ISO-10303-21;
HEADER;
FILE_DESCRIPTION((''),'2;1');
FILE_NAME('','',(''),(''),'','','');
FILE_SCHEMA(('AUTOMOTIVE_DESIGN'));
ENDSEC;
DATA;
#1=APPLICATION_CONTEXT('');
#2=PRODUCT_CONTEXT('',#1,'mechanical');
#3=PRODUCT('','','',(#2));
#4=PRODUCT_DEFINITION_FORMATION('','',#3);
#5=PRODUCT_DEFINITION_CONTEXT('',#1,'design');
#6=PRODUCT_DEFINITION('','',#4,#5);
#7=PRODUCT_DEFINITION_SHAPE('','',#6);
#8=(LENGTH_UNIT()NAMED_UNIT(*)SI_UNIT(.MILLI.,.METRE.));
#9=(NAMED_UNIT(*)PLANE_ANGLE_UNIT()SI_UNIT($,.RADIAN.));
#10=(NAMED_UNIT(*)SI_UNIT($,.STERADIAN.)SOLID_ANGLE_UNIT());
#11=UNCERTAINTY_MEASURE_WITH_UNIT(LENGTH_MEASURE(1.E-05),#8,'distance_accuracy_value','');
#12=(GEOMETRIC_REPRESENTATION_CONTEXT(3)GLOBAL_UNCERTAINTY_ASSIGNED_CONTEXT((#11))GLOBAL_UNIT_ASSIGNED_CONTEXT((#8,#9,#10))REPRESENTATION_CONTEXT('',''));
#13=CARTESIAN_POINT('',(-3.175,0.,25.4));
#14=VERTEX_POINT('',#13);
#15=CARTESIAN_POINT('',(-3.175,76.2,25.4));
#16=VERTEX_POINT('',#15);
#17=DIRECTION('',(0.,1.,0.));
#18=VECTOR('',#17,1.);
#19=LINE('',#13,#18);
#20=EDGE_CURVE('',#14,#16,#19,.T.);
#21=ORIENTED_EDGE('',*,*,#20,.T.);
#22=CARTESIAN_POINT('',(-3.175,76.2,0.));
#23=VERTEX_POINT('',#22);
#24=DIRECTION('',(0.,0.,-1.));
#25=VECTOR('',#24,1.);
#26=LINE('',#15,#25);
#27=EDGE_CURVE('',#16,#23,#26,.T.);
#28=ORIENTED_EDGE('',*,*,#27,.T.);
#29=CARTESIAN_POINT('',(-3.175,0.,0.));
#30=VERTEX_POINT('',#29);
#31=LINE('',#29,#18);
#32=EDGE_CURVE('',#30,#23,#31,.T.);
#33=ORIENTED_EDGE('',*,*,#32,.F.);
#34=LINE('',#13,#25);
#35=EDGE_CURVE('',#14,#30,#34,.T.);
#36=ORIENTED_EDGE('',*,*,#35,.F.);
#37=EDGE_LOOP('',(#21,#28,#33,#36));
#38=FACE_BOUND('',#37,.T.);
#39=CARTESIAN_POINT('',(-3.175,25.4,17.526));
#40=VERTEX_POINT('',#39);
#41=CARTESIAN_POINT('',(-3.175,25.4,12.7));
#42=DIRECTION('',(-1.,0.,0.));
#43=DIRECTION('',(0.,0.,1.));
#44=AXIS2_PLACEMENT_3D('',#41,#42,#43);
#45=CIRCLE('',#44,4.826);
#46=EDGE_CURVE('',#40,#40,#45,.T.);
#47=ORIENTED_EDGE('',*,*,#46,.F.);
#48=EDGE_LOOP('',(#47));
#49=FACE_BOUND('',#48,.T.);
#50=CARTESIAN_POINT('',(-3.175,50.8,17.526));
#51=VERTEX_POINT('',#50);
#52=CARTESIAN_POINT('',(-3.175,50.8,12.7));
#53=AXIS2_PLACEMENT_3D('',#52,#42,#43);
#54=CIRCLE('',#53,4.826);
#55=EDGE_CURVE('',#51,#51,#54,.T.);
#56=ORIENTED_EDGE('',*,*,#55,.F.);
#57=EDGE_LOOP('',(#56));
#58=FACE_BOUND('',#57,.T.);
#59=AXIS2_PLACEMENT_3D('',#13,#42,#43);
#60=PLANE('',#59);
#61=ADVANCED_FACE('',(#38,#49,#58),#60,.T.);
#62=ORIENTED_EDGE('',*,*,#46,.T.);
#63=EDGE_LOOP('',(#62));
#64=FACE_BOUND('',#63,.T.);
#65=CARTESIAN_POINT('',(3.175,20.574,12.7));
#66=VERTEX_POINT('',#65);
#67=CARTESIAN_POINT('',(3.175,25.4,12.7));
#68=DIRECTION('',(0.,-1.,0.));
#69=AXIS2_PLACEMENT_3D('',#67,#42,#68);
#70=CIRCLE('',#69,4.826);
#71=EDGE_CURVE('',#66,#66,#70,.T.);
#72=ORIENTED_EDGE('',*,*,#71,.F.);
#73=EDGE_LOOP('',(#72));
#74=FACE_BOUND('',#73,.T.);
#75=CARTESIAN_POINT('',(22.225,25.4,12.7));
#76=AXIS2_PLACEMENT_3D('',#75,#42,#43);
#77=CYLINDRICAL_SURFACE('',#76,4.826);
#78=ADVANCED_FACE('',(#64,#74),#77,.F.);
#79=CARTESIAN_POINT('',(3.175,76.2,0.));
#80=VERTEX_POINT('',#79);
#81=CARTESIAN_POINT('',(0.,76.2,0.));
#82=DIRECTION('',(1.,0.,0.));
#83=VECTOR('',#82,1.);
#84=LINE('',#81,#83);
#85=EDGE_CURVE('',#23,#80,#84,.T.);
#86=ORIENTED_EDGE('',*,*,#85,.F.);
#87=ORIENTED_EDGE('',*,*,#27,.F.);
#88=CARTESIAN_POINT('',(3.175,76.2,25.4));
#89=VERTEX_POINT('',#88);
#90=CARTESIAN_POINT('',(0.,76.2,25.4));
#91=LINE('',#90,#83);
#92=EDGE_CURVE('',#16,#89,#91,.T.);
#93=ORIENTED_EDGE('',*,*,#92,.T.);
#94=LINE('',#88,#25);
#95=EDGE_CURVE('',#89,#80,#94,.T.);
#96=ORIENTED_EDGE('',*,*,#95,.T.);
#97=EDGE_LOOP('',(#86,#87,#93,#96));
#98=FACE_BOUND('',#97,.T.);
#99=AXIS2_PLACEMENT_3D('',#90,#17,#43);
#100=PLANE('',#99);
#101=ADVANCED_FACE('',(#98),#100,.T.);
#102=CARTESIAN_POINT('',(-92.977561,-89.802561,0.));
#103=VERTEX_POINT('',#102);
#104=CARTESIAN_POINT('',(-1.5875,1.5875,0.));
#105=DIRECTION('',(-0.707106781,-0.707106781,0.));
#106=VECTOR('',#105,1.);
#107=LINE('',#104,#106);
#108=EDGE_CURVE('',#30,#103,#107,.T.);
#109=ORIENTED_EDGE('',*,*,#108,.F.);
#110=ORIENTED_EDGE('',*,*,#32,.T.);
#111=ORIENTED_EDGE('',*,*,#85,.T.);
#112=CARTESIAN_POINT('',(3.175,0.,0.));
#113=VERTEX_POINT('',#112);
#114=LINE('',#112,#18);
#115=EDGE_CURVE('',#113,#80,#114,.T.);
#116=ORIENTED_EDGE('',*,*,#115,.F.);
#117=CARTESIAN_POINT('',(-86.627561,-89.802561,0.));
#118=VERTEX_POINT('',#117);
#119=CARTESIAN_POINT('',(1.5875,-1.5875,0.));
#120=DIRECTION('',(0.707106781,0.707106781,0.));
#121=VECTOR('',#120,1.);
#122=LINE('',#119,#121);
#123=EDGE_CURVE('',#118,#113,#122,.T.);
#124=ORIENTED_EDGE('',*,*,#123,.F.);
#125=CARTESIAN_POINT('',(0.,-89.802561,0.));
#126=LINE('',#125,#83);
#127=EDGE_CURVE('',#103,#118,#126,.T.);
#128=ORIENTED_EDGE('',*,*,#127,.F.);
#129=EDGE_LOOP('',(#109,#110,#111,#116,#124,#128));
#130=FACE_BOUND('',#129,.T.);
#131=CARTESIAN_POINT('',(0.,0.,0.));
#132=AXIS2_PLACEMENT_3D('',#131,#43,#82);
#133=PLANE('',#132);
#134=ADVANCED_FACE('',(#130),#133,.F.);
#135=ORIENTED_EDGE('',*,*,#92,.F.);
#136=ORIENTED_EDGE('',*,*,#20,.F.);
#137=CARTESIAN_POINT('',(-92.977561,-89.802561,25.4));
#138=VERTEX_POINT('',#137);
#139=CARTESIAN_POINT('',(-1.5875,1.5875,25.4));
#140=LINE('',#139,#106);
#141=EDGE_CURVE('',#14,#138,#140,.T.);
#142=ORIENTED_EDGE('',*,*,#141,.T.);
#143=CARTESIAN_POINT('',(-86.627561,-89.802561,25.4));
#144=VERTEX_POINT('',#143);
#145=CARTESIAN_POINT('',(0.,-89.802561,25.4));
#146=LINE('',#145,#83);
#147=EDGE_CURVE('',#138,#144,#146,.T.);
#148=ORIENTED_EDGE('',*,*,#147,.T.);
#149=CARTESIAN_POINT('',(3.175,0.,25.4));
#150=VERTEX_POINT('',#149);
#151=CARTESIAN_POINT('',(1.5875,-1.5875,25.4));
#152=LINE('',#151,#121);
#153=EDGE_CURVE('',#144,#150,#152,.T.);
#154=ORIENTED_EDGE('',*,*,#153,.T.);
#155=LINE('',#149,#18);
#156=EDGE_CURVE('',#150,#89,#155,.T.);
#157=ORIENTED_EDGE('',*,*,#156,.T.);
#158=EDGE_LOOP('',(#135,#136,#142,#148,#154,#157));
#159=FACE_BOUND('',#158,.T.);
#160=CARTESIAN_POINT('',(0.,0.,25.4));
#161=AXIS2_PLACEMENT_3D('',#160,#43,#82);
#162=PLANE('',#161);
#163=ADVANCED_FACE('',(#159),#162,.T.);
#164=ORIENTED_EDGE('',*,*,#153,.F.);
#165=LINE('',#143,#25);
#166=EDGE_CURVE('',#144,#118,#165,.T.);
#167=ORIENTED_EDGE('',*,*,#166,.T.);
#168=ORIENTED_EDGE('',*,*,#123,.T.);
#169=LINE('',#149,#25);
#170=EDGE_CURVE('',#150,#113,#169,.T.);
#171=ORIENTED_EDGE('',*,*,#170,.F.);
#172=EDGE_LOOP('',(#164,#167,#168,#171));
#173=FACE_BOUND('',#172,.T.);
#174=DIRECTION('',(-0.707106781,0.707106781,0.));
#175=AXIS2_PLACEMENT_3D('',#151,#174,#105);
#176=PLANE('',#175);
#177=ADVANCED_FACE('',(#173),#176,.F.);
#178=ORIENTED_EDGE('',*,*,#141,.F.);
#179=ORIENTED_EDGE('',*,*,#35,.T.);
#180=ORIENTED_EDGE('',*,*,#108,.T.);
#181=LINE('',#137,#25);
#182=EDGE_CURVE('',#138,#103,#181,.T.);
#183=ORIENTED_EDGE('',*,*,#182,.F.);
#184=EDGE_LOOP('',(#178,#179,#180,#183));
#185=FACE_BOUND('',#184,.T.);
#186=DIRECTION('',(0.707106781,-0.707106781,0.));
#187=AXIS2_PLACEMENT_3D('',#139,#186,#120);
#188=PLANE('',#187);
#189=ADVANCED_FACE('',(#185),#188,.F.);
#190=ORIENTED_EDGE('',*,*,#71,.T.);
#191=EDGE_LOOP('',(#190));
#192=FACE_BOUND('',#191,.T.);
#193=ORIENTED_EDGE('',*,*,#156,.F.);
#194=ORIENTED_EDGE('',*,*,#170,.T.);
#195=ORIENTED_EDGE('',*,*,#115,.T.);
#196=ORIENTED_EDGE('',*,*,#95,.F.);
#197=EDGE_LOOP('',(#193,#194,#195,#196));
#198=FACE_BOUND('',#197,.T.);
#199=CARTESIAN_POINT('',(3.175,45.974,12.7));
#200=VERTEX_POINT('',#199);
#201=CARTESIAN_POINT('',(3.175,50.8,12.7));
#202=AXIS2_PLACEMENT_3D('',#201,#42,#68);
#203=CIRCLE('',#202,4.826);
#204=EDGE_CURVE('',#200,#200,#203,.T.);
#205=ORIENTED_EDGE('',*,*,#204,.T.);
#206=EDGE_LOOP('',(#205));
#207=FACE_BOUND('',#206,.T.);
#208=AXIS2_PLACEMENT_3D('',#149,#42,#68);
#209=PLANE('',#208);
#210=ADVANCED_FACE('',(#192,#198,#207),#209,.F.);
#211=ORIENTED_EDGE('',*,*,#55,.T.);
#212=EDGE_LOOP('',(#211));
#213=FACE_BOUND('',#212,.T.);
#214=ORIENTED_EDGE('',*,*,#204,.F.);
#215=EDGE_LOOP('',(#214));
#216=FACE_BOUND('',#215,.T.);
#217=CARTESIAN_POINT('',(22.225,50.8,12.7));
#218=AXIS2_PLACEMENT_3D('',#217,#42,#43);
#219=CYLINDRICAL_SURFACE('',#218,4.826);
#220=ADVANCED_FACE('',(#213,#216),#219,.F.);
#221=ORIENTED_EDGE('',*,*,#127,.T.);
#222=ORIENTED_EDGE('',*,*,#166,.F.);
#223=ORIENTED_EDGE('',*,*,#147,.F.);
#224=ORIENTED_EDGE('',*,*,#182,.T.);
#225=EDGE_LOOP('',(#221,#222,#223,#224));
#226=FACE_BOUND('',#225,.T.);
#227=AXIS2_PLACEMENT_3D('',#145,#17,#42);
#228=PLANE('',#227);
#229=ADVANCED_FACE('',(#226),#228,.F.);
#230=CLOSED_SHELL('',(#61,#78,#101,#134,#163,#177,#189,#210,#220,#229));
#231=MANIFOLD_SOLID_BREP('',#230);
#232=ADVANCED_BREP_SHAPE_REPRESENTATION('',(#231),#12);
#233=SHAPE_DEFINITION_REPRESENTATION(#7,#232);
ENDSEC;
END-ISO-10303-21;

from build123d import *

# Parameters (mm, degrees)
SKETCH1_W           = 6.35
SKETCH1_H           = 76.2
BOSS_EXTRUDE1_DEPTH = 25.4
SKETCH2_R           = 4.826
CUT_EXTRUDE1_DEPTH  = 25.4


with BuildPart() as part:
    # Sketch1 → Boss-Extrude1 (new body)
    with BuildSketch(Plane.XY):
        with Locations((0, 38.1)):
            Rectangle(SKETCH1_W, SKETCH1_H)
        Polygon((-92.977561211, -89.802561211), (-86.627561211, -89.802561211), (3.175, 0), (-3.175, 0), align=None)
    extrude(amount=BOSS_EXTRUDE1_DEPTH)

    # Sketch2 → Cut-Extrude1 (cut)
    with BuildSketch(Plane.ZY.offset(3.175)):
        with Locations((12.7, 50.8)):
            Circle(SKETCH2_R)
        with Locations((12.7, 25.4)):
            Circle(SKETCH2_R)
    extrude(amount=-CUT_EXTRUDE1_DEPTH, mode=Mode.SUBTRACT)


solid = part.part
